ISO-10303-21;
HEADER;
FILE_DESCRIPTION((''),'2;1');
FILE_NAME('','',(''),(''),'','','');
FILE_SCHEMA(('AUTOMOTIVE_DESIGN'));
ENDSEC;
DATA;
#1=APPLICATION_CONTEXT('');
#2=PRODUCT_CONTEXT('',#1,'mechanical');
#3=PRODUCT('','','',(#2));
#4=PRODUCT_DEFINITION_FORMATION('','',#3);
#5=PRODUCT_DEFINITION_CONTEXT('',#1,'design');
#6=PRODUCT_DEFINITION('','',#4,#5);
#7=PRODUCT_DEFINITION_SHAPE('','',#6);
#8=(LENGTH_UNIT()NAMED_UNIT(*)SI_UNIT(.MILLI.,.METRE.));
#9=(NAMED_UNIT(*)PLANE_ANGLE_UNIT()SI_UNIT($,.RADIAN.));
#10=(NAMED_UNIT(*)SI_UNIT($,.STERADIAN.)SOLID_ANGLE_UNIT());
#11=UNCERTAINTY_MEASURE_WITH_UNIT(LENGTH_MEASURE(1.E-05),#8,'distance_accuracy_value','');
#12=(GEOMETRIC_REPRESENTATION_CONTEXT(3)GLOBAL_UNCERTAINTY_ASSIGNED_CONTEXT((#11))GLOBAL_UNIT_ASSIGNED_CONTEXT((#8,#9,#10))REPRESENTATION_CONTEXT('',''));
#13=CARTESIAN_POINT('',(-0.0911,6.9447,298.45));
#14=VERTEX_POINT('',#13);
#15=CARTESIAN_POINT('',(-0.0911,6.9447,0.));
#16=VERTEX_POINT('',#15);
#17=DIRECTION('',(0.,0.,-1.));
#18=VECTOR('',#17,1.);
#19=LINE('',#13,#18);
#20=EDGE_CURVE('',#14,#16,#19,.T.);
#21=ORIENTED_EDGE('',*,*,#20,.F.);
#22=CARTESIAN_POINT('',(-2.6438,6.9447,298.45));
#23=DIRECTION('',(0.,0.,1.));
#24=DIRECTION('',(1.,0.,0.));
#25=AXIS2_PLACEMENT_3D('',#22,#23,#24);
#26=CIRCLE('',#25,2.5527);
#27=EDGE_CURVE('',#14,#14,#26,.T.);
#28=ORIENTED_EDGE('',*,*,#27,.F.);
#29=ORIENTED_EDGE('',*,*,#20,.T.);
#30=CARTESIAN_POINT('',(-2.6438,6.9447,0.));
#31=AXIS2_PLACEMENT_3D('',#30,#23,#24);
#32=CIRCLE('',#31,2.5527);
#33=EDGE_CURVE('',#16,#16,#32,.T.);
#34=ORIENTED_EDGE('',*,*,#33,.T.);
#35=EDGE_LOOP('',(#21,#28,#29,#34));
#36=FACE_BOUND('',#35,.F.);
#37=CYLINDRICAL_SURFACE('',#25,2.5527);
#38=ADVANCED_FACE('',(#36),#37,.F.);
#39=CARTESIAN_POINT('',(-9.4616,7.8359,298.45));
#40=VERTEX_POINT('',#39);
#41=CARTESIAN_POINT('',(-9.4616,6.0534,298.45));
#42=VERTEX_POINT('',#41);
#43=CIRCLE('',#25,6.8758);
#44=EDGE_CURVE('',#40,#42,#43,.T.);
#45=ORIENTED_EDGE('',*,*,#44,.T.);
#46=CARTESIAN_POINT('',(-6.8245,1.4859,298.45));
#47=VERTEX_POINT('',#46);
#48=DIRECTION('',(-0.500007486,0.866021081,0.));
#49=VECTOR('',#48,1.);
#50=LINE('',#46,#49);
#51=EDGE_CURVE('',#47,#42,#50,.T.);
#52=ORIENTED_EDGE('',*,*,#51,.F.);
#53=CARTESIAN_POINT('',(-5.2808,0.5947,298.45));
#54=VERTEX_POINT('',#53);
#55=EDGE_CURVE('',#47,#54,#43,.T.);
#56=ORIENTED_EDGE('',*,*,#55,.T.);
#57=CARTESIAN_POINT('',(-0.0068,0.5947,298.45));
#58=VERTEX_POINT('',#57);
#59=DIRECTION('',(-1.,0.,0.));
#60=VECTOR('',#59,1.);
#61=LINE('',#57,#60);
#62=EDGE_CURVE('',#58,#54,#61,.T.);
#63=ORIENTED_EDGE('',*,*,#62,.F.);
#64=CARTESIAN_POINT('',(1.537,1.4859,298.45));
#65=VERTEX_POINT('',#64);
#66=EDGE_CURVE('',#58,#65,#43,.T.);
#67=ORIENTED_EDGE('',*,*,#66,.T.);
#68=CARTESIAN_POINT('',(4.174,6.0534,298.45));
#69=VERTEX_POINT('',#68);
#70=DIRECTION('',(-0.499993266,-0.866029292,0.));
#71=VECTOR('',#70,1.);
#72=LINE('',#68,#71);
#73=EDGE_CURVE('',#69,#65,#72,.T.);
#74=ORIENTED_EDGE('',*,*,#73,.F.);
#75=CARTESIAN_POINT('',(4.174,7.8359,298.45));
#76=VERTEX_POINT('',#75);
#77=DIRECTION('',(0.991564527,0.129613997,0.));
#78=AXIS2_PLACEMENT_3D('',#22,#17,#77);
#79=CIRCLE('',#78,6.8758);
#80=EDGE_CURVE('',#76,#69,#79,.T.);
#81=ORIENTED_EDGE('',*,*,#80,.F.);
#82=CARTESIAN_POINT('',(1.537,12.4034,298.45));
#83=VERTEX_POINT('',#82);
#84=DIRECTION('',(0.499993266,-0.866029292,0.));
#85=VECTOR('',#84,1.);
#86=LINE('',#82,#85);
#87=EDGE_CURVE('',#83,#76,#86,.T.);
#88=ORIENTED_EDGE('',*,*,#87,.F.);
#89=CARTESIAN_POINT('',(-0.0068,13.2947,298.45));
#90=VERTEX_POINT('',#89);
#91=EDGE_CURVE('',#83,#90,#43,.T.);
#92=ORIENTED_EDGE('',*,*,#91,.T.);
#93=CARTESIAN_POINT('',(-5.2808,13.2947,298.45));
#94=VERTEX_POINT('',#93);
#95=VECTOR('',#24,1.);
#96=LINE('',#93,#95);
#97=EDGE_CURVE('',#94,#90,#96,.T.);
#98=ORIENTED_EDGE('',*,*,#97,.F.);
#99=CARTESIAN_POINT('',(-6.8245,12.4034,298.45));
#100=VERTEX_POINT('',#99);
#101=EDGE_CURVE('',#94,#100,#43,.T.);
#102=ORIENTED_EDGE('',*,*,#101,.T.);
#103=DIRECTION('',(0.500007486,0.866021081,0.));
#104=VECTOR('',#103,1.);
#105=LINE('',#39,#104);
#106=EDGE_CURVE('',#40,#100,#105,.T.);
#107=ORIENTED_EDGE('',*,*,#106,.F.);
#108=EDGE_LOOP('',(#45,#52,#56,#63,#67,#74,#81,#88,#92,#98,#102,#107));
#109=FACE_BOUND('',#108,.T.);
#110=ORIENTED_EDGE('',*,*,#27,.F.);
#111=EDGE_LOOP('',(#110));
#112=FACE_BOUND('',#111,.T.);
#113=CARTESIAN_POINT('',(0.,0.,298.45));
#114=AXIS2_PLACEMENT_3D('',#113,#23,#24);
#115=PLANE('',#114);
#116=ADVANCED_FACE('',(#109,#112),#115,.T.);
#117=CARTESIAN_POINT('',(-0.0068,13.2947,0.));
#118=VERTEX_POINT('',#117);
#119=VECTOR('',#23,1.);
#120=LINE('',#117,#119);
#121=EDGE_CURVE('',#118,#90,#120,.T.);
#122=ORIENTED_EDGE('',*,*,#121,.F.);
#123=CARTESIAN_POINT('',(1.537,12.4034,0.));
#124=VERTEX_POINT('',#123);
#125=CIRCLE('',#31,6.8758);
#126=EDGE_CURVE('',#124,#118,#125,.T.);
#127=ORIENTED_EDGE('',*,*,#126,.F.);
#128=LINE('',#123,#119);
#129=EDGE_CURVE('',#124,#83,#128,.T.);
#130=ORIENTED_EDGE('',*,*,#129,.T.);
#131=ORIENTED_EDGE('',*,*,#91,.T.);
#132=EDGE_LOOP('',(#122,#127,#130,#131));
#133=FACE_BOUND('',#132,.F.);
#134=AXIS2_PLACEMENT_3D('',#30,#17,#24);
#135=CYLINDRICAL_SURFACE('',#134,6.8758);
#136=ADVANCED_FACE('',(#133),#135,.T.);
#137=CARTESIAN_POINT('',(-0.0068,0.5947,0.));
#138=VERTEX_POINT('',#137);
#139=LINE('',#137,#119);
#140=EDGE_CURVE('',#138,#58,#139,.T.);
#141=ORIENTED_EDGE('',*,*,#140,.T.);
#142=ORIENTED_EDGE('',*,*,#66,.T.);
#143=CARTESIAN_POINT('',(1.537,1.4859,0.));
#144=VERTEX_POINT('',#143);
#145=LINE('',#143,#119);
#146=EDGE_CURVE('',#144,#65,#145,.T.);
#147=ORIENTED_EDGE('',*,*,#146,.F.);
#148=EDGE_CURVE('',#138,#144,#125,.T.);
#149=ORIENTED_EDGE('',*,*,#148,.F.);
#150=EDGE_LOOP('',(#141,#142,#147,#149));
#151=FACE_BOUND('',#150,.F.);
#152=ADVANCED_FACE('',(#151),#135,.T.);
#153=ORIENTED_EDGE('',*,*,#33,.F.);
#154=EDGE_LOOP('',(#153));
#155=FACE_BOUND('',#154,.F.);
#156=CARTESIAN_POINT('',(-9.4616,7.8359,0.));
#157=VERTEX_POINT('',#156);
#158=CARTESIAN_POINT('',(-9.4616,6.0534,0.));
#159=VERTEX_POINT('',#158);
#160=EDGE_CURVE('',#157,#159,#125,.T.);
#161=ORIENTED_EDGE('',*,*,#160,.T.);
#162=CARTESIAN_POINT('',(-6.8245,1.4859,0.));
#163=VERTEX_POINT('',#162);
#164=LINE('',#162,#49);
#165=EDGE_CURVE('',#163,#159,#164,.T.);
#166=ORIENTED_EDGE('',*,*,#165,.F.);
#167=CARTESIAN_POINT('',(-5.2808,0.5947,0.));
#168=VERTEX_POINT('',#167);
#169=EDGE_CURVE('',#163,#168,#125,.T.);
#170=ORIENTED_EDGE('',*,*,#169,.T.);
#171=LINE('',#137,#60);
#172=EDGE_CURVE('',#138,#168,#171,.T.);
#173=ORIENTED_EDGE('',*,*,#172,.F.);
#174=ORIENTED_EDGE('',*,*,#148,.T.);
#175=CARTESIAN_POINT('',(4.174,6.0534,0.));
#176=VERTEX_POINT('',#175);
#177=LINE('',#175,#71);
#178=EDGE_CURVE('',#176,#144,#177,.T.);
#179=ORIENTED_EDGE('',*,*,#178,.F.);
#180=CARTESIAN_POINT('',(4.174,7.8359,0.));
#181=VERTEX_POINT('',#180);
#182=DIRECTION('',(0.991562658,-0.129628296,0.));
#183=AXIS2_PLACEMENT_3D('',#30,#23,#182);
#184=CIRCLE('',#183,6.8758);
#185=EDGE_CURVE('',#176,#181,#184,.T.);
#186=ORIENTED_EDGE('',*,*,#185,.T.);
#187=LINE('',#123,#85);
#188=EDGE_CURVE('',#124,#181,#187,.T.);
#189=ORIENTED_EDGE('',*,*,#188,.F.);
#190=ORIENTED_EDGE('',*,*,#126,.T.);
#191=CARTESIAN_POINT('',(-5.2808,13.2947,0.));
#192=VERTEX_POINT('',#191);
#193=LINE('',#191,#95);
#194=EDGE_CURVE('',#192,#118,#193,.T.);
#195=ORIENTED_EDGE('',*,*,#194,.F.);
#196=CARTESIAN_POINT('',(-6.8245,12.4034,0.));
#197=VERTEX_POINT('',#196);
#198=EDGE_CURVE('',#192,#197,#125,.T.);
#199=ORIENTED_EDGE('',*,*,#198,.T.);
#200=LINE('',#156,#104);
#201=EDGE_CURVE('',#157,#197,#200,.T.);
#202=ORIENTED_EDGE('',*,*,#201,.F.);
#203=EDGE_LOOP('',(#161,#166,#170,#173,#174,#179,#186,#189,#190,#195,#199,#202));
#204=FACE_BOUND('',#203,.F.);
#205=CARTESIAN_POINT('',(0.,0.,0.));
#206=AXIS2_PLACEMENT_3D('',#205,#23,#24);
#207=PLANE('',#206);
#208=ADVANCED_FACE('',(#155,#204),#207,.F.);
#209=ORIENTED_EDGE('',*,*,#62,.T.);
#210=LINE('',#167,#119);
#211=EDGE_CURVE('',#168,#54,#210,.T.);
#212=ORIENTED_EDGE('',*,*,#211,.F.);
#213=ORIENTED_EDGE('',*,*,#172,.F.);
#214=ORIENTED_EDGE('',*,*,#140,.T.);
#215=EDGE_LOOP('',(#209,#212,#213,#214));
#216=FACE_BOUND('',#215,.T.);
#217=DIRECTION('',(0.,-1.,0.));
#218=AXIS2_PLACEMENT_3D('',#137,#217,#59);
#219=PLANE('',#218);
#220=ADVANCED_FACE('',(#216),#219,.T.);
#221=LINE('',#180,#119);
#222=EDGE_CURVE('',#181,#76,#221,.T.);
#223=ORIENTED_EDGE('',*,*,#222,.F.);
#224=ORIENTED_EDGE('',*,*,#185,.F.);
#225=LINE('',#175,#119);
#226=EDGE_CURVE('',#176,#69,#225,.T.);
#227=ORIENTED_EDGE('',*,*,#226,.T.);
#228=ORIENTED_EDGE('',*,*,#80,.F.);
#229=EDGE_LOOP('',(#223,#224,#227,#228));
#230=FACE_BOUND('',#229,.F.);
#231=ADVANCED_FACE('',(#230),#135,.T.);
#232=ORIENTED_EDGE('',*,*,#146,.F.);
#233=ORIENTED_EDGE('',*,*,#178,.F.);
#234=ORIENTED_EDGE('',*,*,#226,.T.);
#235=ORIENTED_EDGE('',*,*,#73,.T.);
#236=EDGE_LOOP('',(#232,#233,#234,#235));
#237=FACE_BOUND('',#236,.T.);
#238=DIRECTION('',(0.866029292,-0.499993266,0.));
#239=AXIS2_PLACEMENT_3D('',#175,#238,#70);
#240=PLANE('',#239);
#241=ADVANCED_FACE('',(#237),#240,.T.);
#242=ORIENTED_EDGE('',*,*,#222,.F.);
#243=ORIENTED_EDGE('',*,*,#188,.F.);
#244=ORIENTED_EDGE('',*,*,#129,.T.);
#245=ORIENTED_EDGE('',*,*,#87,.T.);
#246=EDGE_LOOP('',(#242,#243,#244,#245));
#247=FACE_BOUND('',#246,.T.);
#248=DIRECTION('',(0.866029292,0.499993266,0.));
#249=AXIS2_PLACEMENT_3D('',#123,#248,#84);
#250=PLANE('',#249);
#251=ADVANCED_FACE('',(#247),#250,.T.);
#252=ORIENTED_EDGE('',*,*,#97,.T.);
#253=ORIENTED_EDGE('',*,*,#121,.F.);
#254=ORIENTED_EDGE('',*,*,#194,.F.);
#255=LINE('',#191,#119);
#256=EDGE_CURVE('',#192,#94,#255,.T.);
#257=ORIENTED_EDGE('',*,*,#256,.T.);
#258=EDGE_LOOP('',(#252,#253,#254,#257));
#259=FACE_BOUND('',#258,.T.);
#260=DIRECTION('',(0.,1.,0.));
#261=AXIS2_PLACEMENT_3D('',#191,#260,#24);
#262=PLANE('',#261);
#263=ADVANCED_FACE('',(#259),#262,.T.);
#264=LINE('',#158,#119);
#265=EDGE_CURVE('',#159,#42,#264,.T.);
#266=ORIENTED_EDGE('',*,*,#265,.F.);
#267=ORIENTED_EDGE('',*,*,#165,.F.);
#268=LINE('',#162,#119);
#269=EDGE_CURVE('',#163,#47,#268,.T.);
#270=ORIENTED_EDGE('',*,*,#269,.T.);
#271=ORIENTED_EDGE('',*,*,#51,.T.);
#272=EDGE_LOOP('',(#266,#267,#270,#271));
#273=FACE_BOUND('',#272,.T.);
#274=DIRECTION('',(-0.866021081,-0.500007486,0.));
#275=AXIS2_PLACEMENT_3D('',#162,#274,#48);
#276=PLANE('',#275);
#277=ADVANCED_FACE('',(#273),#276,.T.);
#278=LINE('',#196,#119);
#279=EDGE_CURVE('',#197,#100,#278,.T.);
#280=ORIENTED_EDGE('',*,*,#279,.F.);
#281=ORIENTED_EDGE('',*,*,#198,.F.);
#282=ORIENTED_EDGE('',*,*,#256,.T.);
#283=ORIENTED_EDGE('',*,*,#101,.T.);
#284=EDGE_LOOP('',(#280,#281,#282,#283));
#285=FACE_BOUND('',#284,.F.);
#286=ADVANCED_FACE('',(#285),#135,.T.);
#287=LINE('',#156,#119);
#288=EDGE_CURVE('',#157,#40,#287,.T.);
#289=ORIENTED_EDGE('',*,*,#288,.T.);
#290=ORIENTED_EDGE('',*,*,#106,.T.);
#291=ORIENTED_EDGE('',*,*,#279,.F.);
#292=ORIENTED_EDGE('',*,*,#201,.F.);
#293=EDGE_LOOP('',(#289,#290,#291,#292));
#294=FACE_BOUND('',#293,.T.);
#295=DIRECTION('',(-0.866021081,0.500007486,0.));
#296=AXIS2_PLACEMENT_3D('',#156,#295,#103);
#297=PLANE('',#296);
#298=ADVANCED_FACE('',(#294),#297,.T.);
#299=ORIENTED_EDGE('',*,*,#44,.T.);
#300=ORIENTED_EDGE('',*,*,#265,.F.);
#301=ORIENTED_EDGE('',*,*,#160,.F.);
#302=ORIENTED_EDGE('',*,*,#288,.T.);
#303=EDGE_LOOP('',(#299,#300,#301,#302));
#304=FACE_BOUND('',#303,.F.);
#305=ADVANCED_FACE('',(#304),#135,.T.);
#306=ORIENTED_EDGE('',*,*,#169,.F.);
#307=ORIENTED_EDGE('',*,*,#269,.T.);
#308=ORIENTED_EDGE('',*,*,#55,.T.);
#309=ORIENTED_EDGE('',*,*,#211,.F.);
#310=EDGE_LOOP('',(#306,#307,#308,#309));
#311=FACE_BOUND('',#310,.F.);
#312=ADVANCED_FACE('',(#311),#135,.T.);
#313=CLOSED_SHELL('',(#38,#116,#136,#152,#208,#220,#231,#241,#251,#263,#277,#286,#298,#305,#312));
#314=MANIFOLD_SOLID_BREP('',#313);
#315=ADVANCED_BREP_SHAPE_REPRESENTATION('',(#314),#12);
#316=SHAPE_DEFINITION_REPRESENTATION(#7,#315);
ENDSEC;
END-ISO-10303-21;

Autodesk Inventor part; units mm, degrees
ref_plane "YZ Plane" through (0, 0, 0) normal (1, 0, 0) x (0, 1, 0)
ref_plane "XZ Plane" through (0, 0, 0) normal (0, 1, 0) x (-1, 0, 0)
ref_plane "XY Plane" through (0, 0, 0) normal (0, 0, 1) x (1, 0, 0)
sketch "Sketch1" plane through (0, 0, 0) normal (0, 0, 1) x (1, 0, 0)
  circle A0 centre (-2.6438, 6.9447) radius 6.8758
  line L0 (-9.4616, 7.8359) -> (-6.8245, 12.4034)
  line L1 (-6.8245, 1.4859) -> (-9.4616, 6.0534)
  line L2 (-0.0068, 0.5947) -> (-5.2808, 0.5947)
  line L3 (4.174, 6.0534) -> (1.537, 1.4859)
  line L4 (1.537, 12.4034) -> (4.174, 7.8359)
  line L5 (-5.2808, 13.2947) -> (-0.0068, 13.2947)
  point P0 (0, 0)
  point P1 (1.537, 1.4859)
  dimension "d0" = 13.7516
  dimension "d4" = 360
extrude "Extrusion1" add sketch "Sketch1" along normal blind 298.45 contours A0 L3 L2 L1 L0 L5 L4
sketch "Sketch2" plane through (0, 0, 298.45) normal (0, 0, 1) x (1, 0, 0)
  circle A0 centre (-2.6438, 6.9447) radius 2.5527
  line L0 (-5.2808, 0.5947) -> (-0.0068, 0.5947) projected
  line L1 (-2.6438, 6.9447) -> (-5.2808, 0.5947) construction
  line L2 (-2.6438, 6.9447) -> (-0.0068, 0.5947) construction
  point P0 (0, 0)
  dimension "d8" = 5.1054
  dimension "d9" = 6.35
extrude "Extrusion2" cut sketch "Sketch2" against normal blind 298.45
equation "\"d6\" = d5"
equation "\"d10\" = d5"
equation "\"d5\" = 298.45"
properties part number "11.75in THUNDERSHAFT"
